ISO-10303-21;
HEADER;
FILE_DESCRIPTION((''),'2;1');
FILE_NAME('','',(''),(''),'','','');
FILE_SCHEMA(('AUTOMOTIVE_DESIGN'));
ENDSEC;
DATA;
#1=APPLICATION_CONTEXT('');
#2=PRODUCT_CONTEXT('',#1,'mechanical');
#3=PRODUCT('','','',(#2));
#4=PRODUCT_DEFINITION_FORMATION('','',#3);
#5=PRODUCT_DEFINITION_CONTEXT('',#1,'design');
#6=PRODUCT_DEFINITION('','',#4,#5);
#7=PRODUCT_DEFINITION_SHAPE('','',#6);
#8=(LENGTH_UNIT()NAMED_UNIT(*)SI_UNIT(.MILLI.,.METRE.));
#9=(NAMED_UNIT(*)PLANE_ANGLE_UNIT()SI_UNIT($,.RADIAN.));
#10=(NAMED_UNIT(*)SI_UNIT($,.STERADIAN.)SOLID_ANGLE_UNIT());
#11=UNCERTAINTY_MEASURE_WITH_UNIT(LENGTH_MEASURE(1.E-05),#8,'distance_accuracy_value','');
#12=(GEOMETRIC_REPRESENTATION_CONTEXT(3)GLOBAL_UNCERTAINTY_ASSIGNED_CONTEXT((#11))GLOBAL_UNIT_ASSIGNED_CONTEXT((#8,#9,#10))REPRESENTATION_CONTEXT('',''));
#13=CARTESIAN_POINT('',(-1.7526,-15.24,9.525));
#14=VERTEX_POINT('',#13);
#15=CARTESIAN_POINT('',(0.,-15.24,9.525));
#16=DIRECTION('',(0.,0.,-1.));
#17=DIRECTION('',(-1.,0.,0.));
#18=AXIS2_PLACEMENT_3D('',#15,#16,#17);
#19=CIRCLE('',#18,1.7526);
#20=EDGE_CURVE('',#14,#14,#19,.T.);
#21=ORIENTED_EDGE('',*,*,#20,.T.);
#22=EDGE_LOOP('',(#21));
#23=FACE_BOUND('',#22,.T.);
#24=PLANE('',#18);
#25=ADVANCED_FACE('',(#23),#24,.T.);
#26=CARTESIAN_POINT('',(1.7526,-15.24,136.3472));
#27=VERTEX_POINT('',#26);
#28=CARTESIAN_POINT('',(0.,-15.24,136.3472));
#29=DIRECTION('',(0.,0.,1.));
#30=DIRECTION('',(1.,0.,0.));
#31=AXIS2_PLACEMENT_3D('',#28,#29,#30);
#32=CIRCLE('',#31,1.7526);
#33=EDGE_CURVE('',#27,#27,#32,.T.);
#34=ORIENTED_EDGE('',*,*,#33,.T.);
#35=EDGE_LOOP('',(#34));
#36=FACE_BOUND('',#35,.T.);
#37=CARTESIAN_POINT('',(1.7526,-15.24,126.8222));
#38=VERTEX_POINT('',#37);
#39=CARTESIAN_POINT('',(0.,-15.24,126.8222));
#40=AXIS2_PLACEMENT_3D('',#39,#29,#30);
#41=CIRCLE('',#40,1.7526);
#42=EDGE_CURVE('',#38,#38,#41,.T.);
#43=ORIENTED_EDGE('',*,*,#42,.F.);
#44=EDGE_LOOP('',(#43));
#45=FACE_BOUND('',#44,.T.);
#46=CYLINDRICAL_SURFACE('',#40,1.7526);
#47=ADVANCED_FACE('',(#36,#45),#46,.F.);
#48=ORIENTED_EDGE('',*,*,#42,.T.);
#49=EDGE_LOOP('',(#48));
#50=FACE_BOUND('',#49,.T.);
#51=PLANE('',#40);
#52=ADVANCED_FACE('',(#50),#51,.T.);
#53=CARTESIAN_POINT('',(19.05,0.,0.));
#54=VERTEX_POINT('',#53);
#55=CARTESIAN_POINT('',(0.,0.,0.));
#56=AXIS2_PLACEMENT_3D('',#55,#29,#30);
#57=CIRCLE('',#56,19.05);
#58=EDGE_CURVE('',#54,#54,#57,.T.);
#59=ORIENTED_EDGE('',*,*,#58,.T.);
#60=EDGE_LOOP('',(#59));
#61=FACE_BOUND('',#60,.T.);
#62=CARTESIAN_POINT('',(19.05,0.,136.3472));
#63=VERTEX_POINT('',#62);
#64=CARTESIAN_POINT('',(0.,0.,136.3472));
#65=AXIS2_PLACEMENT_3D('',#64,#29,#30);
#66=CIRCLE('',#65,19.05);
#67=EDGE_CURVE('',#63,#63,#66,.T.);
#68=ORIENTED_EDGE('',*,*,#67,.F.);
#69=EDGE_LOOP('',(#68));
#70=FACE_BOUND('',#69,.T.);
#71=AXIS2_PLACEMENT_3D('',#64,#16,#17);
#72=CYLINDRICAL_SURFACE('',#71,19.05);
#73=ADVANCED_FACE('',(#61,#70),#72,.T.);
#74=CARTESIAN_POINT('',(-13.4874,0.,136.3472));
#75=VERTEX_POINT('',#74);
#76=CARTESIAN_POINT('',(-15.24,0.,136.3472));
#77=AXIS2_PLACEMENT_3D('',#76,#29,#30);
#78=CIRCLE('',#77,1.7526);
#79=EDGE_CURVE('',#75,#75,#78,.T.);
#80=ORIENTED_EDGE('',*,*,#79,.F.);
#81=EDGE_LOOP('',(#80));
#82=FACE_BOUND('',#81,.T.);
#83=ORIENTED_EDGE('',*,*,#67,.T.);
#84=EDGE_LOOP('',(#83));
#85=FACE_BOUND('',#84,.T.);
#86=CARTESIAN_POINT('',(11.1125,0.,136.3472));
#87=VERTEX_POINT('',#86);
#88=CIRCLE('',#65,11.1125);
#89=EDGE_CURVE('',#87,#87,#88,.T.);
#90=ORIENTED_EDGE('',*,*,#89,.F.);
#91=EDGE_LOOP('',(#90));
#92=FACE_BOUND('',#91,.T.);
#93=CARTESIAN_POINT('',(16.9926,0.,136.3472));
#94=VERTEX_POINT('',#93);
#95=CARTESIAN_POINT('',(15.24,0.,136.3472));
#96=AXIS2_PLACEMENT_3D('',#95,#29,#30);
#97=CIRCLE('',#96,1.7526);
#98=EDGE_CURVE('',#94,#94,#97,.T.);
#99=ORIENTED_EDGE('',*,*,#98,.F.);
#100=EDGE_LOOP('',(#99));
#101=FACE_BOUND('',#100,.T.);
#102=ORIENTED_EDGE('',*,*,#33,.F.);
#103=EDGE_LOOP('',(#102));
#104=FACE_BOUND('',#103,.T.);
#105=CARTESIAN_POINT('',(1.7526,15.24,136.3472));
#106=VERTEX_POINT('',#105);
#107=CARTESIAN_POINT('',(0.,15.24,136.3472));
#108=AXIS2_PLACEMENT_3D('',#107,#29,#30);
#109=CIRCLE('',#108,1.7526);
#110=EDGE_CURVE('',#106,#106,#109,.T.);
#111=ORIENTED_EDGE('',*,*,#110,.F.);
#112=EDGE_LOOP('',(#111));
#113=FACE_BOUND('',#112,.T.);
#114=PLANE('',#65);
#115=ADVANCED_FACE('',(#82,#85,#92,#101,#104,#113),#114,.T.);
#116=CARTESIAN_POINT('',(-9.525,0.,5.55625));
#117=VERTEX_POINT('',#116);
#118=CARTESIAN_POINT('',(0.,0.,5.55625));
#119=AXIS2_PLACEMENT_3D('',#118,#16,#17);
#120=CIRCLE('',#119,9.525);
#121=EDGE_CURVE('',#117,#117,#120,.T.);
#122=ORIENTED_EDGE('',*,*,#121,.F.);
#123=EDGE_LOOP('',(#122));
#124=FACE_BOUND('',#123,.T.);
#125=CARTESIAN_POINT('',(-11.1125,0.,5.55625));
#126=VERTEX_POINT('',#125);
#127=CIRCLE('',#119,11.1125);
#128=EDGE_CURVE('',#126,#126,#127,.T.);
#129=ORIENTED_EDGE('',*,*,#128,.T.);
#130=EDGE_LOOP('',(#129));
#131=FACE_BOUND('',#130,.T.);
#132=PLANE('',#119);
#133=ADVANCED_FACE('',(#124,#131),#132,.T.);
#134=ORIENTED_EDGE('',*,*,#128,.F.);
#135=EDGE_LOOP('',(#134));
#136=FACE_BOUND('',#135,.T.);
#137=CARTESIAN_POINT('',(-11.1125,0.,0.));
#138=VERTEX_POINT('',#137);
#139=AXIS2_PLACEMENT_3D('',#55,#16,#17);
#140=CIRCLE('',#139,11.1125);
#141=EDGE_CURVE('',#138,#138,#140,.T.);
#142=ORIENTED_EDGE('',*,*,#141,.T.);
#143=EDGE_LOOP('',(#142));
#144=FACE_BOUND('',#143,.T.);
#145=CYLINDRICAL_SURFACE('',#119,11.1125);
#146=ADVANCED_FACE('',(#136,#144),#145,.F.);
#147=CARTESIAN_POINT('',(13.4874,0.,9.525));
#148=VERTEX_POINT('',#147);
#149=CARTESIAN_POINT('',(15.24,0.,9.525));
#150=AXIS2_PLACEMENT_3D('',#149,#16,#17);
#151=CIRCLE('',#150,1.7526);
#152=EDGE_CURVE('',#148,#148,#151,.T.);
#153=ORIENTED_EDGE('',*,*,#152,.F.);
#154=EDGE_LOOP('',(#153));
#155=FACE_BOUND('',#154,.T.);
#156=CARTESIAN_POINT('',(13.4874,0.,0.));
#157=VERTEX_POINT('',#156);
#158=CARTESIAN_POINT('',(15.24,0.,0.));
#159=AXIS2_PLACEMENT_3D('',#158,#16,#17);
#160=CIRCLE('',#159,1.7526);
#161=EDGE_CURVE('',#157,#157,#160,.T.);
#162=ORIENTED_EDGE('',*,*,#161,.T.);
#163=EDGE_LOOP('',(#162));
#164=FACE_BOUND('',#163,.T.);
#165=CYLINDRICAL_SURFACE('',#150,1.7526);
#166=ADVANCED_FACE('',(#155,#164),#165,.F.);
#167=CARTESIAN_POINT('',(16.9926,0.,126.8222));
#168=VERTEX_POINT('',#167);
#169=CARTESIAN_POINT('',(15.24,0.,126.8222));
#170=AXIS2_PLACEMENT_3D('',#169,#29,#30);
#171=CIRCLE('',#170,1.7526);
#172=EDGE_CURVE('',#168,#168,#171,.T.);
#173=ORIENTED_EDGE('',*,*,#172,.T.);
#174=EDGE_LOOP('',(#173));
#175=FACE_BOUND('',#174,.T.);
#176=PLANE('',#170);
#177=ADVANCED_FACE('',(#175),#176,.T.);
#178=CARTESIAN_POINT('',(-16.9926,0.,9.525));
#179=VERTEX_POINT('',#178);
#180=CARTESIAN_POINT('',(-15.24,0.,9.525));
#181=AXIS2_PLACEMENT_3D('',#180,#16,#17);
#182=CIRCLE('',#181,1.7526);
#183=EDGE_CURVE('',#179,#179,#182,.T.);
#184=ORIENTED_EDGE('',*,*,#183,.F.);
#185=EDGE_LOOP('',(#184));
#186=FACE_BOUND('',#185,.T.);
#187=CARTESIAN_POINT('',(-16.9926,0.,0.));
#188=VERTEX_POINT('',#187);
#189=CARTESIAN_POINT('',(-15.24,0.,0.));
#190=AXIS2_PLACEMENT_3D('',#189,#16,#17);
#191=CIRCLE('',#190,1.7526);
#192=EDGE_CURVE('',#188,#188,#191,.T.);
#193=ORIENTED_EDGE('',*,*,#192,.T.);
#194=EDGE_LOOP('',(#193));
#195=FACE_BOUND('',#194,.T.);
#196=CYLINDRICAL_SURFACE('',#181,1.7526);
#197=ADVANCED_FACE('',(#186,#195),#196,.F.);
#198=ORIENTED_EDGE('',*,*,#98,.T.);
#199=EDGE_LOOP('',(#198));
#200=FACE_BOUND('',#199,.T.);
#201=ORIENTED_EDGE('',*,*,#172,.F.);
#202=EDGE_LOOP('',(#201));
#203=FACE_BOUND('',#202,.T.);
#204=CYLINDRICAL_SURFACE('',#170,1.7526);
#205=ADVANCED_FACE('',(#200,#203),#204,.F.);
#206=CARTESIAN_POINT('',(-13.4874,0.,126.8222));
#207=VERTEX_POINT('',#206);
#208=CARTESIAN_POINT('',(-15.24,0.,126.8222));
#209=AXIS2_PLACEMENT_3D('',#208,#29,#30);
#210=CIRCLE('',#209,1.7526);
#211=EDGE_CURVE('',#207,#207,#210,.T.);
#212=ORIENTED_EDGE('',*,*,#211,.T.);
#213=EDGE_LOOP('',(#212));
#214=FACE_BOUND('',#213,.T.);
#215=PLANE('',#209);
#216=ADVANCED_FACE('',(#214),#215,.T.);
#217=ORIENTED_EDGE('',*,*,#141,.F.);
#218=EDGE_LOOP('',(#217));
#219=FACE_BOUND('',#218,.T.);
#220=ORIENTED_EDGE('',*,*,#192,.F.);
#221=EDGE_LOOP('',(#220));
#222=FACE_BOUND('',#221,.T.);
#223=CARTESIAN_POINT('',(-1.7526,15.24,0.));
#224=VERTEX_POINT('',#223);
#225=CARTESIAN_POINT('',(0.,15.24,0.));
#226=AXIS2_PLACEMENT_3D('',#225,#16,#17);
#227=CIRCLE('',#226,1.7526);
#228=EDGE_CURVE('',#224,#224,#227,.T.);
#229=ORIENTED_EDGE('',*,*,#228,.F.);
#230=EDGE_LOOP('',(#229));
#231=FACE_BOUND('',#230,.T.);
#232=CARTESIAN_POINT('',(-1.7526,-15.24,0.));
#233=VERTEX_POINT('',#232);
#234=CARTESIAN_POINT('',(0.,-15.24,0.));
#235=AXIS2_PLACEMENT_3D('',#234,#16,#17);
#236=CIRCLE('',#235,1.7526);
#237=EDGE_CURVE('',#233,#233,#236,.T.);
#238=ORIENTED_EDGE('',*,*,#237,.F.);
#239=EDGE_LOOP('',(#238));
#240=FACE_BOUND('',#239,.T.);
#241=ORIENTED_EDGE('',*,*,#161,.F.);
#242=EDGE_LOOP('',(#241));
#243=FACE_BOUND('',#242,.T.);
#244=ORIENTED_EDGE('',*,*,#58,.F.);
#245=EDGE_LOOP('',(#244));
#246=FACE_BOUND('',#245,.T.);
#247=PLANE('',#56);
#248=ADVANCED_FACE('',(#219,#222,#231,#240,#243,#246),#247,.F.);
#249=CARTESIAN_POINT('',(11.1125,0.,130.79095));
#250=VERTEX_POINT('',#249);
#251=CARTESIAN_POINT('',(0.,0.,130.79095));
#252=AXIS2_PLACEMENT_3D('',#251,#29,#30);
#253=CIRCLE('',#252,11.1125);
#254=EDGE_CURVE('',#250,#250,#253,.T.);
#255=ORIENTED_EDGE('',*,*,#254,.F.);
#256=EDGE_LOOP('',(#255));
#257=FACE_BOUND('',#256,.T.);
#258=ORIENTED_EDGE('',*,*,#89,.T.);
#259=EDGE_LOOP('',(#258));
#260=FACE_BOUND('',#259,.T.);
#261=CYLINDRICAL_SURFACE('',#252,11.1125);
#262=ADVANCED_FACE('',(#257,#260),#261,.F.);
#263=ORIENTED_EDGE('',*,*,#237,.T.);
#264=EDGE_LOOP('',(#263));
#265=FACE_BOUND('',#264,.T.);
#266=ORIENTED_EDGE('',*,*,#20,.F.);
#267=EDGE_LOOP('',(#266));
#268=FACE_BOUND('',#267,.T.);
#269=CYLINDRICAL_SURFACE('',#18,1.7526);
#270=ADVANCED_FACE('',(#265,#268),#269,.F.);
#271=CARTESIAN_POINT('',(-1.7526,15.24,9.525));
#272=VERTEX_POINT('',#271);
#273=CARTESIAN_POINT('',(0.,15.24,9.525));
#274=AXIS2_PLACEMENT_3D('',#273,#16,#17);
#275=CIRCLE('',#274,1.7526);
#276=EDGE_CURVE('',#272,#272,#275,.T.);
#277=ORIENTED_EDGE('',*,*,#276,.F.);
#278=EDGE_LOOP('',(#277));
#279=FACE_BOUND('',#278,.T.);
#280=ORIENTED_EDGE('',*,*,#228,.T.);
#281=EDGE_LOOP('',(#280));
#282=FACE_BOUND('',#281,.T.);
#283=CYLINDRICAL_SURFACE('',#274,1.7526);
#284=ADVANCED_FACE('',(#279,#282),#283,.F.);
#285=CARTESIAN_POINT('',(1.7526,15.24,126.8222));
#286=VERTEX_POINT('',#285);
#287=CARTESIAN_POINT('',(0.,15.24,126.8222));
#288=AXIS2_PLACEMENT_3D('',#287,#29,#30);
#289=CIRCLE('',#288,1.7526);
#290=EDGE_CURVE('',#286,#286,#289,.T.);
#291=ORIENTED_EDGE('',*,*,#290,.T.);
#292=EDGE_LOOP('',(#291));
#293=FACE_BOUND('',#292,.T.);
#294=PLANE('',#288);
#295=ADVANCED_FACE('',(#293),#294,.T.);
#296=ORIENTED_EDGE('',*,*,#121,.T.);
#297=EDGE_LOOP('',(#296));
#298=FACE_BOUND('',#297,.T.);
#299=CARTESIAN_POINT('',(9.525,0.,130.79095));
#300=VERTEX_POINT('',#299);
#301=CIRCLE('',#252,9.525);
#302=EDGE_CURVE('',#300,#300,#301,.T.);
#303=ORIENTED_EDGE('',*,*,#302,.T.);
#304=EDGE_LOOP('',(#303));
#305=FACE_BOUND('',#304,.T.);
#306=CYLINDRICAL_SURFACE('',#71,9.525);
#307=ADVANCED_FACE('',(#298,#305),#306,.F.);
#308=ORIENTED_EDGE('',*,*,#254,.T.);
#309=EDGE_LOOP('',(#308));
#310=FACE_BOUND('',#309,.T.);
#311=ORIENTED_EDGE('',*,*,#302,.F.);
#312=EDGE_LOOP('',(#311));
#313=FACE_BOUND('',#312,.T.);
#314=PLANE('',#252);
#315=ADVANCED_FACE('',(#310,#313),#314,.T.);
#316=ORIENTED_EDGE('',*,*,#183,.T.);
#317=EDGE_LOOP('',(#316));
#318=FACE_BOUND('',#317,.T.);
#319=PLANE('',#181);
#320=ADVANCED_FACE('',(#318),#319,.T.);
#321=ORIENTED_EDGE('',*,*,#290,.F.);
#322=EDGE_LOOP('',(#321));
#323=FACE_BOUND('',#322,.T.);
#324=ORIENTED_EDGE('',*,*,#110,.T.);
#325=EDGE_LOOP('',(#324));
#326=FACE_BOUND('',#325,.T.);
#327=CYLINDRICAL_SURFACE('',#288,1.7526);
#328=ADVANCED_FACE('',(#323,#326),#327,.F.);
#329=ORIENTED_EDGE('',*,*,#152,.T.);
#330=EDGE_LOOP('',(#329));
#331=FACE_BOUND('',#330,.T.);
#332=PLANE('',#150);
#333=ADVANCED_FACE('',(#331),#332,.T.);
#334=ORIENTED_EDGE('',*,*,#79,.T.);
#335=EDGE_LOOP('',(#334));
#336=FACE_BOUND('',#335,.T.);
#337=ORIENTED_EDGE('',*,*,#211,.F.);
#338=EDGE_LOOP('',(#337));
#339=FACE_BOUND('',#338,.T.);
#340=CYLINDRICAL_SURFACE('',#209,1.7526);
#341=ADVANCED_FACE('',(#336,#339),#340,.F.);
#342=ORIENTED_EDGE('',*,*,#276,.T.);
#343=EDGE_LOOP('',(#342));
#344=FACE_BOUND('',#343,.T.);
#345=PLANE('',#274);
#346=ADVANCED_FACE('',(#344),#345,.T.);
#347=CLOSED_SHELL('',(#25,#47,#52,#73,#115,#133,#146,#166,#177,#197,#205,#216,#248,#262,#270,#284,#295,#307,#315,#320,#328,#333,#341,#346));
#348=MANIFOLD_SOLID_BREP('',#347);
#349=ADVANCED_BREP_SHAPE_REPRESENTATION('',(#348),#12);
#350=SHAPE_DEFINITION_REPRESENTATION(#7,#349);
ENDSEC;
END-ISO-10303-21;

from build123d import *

# Parameters (mm, degrees)
SKETCH1_R           = 19.05
SKETCH1_R_2         = 9.525
BOSS_EXTRUDE1_DEPTH = 136.3472
SKETCH2_R           = 1.7526
CUT_EXTRUDE1_DEPTH  = 9.525
SKETCH3_R           = 1.7526
CUT_EXTRUDE2_DEPTH  = 9.525
SKETCH6_R           = 11.1125
CUT_EXTRUDE3_DEPTH  = 5.55625
SKETCH7_R           = 11.1125
CUT_EXTRUDE4_DEPTH  = 5.55625


with BuildPart() as part:
    # Sketch1 → Boss-Extrude1 (new body)
    with BuildSketch(Plane.XY):
        Circle(SKETCH1_R)
        Circle(SKETCH1_R_2, mode=Mode.SUBTRACT)
    extrude(amount=BOSS_EXTRUDE1_DEPTH)

    # Sketch2 → Cut-Extrude1 (cut)
    with BuildSketch(Plane(origin=(0, 0, 0), x_dir=(-1, 0, 0), z_dir=(0, 0, -1))):
        with Locations((0, 15.24)):
            Circle(SKETCH2_R)
        with Locations((15.24, 0)):
            Circle(SKETCH2_R)
        with Locations((0, -15.24)):
            Circle(SKETCH2_R)
        with Locations((-15.24, 0)):
            Circle(SKETCH2_R)
    extrude(amount=-CUT_EXTRUDE1_DEPTH, mode=Mode.SUBTRACT)

    # Sketch3 → Cut-Extrude2 (cut)
    with BuildSketch(Plane.XY.offset(136.3472)):
        with Locations((0, 15.24)):
            Circle(SKETCH3_R)
        with Locations((15.24, 0)):
            Circle(SKETCH3_R)
        with Locations((0, -15.24)):
            Circle(SKETCH3_R)
        with Locations((-15.24, 0)):
            Circle(SKETCH3_R)
    extrude(amount=-CUT_EXTRUDE2_DEPTH, mode=Mode.SUBTRACT)

    # Sketch6 → Cut-Extrude3 (cut)
    with BuildSketch(Plane.XY.offset(136.3472)):
        Circle(SKETCH6_R)
    extrude(amount=-CUT_EXTRUDE3_DEPTH, mode=Mode.SUBTRACT)

    # Sketch7 → Cut-Extrude4 (cut)
    with BuildSketch(Plane(origin=(0, 0, 0), x_dir=(-1, 0, 0), z_dir=(0, 0, -1))):
        Circle(SKETCH7_R)
    extrude(amount=-CUT_EXTRUDE4_DEPTH, mode=Mode.SUBTRACT)


solid = part.part
